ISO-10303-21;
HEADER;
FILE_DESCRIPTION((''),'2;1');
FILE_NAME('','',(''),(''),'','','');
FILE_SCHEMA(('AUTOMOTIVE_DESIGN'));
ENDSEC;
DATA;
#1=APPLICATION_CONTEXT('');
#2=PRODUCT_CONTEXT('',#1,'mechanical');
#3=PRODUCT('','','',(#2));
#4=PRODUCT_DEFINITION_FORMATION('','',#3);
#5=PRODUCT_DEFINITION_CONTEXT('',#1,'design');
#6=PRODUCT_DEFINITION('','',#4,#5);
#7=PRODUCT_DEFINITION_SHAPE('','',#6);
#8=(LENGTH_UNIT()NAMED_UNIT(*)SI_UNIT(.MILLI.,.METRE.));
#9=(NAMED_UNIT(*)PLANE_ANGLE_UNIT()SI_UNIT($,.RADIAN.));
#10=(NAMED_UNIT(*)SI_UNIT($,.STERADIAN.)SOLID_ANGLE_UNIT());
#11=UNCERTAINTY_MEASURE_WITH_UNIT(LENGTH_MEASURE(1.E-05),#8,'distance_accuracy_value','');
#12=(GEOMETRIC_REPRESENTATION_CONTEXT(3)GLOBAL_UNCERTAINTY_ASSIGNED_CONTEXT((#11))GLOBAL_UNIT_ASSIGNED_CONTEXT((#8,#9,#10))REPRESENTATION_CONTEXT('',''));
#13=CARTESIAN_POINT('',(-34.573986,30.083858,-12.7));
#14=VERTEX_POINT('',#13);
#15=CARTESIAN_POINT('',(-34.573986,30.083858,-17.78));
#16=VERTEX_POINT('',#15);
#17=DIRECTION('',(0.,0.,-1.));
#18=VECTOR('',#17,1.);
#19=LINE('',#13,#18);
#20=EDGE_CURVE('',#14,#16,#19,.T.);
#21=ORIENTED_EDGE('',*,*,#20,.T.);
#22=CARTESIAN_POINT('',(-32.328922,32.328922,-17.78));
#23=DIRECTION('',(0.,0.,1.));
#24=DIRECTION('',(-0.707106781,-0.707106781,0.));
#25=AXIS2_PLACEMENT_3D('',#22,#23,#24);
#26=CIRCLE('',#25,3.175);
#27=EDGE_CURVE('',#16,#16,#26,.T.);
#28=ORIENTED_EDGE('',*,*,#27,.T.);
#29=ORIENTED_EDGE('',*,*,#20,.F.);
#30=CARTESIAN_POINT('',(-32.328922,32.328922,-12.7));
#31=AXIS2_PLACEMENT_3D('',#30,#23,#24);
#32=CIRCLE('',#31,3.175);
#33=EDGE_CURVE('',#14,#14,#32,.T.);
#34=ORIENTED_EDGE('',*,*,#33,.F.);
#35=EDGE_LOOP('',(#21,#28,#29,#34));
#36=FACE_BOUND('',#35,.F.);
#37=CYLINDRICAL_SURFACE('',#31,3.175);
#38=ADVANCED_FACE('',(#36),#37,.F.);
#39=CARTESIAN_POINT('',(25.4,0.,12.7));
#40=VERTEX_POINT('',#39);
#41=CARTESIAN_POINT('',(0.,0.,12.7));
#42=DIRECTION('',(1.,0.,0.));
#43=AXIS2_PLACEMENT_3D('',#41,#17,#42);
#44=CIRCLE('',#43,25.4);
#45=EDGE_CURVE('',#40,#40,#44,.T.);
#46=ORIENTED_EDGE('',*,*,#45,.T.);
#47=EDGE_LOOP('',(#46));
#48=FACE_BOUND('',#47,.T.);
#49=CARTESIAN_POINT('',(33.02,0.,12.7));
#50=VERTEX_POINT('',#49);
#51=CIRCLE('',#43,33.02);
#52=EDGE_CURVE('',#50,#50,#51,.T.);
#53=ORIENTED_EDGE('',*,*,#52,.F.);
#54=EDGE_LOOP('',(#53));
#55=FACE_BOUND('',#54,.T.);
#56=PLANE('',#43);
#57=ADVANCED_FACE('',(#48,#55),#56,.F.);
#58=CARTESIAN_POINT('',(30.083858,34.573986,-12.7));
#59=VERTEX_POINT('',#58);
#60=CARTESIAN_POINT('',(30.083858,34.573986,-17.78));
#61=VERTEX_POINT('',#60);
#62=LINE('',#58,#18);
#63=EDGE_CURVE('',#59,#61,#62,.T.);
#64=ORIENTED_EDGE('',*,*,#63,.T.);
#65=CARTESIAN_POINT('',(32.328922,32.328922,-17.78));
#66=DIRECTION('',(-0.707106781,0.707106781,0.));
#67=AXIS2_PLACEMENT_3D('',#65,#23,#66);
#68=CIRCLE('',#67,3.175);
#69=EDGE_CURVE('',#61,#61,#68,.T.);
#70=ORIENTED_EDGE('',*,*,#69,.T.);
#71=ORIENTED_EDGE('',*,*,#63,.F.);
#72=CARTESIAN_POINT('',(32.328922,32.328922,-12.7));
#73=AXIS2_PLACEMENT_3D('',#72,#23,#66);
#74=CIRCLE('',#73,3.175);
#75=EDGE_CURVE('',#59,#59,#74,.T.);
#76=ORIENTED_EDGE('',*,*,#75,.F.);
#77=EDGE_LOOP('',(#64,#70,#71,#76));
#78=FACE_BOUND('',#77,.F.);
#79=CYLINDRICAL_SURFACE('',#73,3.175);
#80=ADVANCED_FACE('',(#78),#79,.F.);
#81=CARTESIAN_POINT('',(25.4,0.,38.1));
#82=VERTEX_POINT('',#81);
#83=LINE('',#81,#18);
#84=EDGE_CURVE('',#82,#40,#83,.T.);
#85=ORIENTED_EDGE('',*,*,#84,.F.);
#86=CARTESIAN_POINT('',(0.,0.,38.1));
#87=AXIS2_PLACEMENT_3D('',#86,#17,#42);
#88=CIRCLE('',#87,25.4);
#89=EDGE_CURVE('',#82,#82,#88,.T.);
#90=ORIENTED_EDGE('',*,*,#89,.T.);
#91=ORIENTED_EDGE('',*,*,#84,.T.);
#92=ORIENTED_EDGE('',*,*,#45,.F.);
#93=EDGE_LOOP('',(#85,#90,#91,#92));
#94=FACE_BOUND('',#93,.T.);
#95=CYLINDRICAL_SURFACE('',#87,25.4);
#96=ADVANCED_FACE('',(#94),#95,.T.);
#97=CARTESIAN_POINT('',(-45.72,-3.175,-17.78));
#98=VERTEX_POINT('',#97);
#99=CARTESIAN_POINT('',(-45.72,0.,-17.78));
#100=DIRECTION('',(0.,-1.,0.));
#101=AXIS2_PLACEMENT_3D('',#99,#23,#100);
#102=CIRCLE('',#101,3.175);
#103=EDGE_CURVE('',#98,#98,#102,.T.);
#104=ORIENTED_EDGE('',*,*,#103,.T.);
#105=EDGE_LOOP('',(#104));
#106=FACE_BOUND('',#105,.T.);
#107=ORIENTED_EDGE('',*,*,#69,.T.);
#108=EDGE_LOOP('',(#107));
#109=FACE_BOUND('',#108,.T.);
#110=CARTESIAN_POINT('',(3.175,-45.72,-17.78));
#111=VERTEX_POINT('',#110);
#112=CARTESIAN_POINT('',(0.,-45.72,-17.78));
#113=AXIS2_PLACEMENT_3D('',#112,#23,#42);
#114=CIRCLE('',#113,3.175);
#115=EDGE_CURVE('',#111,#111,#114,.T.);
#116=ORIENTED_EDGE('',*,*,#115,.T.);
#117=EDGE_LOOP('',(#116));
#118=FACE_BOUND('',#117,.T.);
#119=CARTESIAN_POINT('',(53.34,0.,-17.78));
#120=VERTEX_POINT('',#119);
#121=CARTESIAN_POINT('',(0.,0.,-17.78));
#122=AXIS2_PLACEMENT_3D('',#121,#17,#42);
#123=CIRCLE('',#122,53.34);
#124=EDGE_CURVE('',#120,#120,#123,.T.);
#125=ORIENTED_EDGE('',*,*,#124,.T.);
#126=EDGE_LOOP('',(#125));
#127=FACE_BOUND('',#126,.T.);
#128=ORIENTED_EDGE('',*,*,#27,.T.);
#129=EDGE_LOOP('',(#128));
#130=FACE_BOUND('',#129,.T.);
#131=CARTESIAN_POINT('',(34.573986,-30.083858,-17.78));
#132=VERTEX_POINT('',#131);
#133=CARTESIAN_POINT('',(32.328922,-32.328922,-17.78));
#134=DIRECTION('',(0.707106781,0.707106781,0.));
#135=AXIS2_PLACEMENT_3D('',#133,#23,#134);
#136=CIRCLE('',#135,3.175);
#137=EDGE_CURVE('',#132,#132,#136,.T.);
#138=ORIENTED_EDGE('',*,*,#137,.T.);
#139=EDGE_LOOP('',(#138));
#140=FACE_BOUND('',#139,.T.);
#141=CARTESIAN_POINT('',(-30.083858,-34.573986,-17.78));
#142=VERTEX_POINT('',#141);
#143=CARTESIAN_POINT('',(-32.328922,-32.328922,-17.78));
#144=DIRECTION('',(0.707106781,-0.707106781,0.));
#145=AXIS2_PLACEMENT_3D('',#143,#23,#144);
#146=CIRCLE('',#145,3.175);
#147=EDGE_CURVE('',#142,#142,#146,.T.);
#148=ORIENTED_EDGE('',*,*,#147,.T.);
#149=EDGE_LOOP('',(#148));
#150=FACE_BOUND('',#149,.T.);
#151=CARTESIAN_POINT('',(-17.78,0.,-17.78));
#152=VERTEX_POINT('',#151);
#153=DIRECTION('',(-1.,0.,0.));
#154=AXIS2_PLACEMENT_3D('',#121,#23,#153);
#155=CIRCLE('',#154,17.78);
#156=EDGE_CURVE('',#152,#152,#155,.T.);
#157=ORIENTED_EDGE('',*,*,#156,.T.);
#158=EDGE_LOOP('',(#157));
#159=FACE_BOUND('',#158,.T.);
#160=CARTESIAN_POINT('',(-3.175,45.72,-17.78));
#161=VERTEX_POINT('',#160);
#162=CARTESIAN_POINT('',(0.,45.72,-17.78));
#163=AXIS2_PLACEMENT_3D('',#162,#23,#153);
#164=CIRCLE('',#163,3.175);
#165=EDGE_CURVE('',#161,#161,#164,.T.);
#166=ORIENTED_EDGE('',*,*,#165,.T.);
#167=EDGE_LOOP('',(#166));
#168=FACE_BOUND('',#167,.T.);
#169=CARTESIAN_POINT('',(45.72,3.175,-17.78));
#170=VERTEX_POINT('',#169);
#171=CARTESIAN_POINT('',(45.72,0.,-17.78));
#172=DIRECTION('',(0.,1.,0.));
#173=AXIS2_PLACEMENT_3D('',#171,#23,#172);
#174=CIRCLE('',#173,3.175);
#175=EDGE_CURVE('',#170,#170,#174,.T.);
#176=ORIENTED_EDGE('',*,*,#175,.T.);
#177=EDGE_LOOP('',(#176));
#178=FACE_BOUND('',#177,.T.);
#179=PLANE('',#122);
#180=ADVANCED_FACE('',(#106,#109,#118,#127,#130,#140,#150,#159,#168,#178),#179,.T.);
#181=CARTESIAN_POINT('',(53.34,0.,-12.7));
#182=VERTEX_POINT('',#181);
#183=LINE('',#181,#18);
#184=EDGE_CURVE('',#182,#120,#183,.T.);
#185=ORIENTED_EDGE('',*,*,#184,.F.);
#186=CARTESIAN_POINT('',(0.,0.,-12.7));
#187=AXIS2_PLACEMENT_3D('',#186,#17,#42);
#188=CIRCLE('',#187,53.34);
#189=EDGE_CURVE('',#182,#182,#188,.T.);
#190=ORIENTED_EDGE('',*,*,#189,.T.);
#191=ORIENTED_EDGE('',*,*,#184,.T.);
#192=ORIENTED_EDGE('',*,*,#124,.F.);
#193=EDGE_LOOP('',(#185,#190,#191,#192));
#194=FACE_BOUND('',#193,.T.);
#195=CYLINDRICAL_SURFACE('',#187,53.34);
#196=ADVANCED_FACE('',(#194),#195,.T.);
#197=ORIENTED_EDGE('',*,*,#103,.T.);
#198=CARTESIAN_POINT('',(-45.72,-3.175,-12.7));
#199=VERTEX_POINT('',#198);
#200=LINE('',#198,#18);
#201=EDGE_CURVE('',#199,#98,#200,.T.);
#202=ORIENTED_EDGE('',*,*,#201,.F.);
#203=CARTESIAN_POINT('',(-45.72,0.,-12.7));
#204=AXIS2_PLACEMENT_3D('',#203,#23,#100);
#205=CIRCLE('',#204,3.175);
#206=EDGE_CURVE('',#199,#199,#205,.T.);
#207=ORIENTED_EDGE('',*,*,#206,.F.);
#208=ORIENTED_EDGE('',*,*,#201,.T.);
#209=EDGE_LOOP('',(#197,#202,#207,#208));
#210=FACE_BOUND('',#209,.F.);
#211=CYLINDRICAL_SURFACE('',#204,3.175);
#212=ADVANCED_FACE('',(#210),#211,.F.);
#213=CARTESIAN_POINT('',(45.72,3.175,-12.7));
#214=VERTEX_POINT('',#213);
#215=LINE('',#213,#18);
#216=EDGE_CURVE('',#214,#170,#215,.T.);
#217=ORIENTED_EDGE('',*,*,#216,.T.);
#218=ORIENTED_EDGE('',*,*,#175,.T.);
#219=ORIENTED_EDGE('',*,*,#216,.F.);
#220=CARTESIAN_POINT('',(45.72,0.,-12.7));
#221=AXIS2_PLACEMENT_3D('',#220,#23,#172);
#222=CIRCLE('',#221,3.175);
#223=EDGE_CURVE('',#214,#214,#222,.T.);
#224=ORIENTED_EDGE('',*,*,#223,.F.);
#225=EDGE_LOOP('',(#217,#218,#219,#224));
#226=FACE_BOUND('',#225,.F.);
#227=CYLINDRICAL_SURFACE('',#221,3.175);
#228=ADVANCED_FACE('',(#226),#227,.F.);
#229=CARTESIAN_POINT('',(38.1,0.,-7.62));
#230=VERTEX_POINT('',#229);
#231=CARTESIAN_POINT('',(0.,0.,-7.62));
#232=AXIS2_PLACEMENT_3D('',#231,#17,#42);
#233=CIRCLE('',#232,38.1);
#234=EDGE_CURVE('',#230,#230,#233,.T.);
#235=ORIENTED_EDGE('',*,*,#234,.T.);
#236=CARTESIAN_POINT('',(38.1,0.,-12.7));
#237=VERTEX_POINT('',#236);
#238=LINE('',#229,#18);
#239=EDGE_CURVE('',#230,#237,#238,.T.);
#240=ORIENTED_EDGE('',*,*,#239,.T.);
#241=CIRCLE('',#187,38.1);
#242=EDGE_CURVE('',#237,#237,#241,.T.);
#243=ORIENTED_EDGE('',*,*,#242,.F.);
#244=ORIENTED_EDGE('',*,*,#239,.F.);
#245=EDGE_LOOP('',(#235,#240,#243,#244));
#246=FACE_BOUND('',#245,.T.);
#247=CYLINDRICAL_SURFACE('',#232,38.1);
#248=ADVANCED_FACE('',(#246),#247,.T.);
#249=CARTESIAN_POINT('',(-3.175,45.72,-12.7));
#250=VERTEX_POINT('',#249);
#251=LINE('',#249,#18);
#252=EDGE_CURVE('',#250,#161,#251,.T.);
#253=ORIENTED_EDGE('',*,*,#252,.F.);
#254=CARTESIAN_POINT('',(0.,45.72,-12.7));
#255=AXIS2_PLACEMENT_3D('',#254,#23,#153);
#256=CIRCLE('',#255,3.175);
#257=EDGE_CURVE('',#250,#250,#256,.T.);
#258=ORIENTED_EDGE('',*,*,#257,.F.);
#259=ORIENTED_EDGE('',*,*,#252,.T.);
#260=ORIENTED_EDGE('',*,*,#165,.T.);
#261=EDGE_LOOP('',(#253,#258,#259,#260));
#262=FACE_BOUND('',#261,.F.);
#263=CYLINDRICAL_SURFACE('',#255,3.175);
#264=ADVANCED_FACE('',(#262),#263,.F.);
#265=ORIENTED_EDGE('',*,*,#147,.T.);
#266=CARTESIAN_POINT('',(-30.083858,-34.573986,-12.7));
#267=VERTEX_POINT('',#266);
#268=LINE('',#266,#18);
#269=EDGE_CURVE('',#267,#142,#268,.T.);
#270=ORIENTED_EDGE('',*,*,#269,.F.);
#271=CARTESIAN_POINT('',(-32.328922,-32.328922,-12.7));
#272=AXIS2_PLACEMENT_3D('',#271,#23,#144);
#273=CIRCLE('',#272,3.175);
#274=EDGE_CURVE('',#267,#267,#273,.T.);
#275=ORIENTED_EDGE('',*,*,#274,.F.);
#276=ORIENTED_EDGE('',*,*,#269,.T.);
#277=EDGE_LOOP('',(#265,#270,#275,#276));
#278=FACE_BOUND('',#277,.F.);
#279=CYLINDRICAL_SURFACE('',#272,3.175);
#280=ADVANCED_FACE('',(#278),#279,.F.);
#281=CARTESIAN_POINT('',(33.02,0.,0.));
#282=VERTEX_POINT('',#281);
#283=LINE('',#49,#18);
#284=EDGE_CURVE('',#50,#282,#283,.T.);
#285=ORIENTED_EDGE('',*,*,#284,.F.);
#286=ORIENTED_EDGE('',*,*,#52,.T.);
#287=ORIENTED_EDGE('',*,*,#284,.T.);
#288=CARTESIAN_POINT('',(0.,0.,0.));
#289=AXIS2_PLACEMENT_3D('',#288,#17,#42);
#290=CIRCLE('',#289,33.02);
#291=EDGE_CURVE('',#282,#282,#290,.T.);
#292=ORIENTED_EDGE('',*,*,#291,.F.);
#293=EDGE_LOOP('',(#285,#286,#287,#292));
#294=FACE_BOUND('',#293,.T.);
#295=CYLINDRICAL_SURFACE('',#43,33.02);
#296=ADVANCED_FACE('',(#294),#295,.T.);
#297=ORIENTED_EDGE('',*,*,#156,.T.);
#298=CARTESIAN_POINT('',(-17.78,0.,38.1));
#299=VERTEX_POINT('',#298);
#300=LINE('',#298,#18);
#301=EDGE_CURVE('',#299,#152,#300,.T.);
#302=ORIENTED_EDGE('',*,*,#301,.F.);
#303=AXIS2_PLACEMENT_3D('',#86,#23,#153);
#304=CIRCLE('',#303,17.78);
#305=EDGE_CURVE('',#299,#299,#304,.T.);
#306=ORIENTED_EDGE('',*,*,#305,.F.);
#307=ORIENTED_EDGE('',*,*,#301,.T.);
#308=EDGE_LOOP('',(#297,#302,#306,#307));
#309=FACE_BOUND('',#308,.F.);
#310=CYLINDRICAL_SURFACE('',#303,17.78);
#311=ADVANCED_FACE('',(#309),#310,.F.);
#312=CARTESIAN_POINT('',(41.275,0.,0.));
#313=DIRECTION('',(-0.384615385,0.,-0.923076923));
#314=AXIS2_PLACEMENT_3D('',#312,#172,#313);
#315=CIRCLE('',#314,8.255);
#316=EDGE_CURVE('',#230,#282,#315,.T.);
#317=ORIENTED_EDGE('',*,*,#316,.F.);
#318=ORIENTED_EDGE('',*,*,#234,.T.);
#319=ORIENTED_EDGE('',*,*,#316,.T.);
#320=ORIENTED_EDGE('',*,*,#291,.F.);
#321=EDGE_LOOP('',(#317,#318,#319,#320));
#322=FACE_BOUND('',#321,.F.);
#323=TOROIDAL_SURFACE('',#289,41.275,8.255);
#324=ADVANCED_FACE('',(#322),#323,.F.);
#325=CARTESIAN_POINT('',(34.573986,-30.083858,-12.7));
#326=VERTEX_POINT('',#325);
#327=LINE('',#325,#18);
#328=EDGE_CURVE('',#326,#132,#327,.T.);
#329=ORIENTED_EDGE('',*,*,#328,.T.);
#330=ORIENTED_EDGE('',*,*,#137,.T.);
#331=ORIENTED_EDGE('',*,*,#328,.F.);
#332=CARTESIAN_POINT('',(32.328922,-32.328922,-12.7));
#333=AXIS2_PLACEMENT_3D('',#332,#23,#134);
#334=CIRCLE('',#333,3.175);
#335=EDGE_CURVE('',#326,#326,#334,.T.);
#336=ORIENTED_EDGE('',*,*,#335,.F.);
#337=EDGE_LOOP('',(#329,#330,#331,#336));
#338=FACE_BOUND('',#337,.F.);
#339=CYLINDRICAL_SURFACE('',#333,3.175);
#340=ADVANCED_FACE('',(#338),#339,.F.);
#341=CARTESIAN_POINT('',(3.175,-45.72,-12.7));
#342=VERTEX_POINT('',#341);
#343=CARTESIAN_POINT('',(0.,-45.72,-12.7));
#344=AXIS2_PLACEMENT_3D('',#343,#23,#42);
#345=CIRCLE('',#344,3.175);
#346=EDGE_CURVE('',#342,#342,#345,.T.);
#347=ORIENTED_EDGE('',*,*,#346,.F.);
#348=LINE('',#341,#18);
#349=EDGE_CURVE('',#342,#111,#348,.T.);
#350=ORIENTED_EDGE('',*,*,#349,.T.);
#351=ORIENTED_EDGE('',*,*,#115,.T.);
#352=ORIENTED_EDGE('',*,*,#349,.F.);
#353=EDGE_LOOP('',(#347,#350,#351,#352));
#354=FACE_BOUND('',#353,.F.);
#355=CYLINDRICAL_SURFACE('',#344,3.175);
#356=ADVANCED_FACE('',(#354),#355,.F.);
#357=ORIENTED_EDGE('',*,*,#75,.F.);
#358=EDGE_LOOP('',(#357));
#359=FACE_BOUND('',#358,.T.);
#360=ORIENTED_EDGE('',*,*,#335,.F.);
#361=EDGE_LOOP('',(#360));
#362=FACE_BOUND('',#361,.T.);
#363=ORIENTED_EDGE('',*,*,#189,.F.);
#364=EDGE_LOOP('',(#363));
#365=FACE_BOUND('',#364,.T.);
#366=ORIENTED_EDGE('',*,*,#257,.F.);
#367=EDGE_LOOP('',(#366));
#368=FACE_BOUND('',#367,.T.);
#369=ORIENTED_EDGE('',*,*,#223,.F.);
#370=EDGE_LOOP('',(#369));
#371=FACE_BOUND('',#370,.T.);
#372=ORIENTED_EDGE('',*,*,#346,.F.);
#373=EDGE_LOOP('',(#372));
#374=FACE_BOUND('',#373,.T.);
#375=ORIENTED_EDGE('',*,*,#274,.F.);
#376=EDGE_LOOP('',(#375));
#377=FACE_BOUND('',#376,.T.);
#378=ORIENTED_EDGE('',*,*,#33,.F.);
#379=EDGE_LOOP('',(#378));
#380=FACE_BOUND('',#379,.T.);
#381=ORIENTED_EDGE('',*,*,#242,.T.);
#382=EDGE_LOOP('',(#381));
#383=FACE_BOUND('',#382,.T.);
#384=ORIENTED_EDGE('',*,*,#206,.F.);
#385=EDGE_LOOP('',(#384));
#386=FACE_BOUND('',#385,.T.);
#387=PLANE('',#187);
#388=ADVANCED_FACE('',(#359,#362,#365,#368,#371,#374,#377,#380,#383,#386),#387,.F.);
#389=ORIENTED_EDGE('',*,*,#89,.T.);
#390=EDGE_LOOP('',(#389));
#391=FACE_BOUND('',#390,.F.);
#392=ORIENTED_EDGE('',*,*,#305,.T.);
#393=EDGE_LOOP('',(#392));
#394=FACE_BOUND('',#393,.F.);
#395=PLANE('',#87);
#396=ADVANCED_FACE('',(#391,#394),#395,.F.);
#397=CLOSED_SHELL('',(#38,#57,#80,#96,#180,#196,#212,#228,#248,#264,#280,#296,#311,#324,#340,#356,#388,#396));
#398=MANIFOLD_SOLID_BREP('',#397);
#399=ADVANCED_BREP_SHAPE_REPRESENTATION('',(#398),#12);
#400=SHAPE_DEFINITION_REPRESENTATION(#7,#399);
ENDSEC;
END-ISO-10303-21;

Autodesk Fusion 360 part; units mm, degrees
sketch "Sketch1" plane through (0, 0, 0) normal (0, 1, 0) x (1, 0, 0)
  line L0 (25.4, -38.1) -> (25.4, -12.7)
  line L1 (25.4, -12.7) -> (33.02, -12.7)
  line L2 (33.02, -12.7) -> (33.02, 0)
  arc A0 (38.1, 7.62) -> (33.02, 0) centre (41.275, 0) ccw
  line L3 (38.1, 7.62) -> (38.1, 12.7)
  line L4 (25.4, -38.1) -> (0, -38.1)
  line L5 (38.1, 12.7) -> (53.34, 12.7)
  line L6 (53.34, 12.7) -> (53.34, 17.78)
  line L7 (53.34, 17.78) -> (0, 17.78)
  line L8 (0, -38.1) -> (0, 17.78)
revolve "Revolve1" add sketch "Sketch1" angle 360 about axis through (0, 0, 38.1) along (0, 0, -1)
sketch "Sketch2" plane through (0, 0, -12.7) normal (0, 0, 1) x (-1, 0, 0)
  circle A0 centre (0, 0) radius 53.34
  circle A1 centre (0, 0) radius 38.1
  circle A2 centre (0, -45.72) radius 3.175
  dimension "d2" = 6.35
extrude "Extrude1" cut sketch "Sketch2" against normal up to surface (5.08 mm away) contours A2
pattern_circular "C-Pattern1" count 8 over 360 about axis through (0, 0, 1.75) along (0, 0, 1) of "Extrude1"
sketch "Sketch3" plane through (0, 0, 38.1) normal (0, 0, 1) x (-1, 0, 0)
  circle A0 centre (0, 0) radius 25.4
  circle A1 centre (0, 0) radius 17.78
extrude "Extrude2" cut sketch "Sketch3" against normal up to surface (55.88 mm away) contours A1
